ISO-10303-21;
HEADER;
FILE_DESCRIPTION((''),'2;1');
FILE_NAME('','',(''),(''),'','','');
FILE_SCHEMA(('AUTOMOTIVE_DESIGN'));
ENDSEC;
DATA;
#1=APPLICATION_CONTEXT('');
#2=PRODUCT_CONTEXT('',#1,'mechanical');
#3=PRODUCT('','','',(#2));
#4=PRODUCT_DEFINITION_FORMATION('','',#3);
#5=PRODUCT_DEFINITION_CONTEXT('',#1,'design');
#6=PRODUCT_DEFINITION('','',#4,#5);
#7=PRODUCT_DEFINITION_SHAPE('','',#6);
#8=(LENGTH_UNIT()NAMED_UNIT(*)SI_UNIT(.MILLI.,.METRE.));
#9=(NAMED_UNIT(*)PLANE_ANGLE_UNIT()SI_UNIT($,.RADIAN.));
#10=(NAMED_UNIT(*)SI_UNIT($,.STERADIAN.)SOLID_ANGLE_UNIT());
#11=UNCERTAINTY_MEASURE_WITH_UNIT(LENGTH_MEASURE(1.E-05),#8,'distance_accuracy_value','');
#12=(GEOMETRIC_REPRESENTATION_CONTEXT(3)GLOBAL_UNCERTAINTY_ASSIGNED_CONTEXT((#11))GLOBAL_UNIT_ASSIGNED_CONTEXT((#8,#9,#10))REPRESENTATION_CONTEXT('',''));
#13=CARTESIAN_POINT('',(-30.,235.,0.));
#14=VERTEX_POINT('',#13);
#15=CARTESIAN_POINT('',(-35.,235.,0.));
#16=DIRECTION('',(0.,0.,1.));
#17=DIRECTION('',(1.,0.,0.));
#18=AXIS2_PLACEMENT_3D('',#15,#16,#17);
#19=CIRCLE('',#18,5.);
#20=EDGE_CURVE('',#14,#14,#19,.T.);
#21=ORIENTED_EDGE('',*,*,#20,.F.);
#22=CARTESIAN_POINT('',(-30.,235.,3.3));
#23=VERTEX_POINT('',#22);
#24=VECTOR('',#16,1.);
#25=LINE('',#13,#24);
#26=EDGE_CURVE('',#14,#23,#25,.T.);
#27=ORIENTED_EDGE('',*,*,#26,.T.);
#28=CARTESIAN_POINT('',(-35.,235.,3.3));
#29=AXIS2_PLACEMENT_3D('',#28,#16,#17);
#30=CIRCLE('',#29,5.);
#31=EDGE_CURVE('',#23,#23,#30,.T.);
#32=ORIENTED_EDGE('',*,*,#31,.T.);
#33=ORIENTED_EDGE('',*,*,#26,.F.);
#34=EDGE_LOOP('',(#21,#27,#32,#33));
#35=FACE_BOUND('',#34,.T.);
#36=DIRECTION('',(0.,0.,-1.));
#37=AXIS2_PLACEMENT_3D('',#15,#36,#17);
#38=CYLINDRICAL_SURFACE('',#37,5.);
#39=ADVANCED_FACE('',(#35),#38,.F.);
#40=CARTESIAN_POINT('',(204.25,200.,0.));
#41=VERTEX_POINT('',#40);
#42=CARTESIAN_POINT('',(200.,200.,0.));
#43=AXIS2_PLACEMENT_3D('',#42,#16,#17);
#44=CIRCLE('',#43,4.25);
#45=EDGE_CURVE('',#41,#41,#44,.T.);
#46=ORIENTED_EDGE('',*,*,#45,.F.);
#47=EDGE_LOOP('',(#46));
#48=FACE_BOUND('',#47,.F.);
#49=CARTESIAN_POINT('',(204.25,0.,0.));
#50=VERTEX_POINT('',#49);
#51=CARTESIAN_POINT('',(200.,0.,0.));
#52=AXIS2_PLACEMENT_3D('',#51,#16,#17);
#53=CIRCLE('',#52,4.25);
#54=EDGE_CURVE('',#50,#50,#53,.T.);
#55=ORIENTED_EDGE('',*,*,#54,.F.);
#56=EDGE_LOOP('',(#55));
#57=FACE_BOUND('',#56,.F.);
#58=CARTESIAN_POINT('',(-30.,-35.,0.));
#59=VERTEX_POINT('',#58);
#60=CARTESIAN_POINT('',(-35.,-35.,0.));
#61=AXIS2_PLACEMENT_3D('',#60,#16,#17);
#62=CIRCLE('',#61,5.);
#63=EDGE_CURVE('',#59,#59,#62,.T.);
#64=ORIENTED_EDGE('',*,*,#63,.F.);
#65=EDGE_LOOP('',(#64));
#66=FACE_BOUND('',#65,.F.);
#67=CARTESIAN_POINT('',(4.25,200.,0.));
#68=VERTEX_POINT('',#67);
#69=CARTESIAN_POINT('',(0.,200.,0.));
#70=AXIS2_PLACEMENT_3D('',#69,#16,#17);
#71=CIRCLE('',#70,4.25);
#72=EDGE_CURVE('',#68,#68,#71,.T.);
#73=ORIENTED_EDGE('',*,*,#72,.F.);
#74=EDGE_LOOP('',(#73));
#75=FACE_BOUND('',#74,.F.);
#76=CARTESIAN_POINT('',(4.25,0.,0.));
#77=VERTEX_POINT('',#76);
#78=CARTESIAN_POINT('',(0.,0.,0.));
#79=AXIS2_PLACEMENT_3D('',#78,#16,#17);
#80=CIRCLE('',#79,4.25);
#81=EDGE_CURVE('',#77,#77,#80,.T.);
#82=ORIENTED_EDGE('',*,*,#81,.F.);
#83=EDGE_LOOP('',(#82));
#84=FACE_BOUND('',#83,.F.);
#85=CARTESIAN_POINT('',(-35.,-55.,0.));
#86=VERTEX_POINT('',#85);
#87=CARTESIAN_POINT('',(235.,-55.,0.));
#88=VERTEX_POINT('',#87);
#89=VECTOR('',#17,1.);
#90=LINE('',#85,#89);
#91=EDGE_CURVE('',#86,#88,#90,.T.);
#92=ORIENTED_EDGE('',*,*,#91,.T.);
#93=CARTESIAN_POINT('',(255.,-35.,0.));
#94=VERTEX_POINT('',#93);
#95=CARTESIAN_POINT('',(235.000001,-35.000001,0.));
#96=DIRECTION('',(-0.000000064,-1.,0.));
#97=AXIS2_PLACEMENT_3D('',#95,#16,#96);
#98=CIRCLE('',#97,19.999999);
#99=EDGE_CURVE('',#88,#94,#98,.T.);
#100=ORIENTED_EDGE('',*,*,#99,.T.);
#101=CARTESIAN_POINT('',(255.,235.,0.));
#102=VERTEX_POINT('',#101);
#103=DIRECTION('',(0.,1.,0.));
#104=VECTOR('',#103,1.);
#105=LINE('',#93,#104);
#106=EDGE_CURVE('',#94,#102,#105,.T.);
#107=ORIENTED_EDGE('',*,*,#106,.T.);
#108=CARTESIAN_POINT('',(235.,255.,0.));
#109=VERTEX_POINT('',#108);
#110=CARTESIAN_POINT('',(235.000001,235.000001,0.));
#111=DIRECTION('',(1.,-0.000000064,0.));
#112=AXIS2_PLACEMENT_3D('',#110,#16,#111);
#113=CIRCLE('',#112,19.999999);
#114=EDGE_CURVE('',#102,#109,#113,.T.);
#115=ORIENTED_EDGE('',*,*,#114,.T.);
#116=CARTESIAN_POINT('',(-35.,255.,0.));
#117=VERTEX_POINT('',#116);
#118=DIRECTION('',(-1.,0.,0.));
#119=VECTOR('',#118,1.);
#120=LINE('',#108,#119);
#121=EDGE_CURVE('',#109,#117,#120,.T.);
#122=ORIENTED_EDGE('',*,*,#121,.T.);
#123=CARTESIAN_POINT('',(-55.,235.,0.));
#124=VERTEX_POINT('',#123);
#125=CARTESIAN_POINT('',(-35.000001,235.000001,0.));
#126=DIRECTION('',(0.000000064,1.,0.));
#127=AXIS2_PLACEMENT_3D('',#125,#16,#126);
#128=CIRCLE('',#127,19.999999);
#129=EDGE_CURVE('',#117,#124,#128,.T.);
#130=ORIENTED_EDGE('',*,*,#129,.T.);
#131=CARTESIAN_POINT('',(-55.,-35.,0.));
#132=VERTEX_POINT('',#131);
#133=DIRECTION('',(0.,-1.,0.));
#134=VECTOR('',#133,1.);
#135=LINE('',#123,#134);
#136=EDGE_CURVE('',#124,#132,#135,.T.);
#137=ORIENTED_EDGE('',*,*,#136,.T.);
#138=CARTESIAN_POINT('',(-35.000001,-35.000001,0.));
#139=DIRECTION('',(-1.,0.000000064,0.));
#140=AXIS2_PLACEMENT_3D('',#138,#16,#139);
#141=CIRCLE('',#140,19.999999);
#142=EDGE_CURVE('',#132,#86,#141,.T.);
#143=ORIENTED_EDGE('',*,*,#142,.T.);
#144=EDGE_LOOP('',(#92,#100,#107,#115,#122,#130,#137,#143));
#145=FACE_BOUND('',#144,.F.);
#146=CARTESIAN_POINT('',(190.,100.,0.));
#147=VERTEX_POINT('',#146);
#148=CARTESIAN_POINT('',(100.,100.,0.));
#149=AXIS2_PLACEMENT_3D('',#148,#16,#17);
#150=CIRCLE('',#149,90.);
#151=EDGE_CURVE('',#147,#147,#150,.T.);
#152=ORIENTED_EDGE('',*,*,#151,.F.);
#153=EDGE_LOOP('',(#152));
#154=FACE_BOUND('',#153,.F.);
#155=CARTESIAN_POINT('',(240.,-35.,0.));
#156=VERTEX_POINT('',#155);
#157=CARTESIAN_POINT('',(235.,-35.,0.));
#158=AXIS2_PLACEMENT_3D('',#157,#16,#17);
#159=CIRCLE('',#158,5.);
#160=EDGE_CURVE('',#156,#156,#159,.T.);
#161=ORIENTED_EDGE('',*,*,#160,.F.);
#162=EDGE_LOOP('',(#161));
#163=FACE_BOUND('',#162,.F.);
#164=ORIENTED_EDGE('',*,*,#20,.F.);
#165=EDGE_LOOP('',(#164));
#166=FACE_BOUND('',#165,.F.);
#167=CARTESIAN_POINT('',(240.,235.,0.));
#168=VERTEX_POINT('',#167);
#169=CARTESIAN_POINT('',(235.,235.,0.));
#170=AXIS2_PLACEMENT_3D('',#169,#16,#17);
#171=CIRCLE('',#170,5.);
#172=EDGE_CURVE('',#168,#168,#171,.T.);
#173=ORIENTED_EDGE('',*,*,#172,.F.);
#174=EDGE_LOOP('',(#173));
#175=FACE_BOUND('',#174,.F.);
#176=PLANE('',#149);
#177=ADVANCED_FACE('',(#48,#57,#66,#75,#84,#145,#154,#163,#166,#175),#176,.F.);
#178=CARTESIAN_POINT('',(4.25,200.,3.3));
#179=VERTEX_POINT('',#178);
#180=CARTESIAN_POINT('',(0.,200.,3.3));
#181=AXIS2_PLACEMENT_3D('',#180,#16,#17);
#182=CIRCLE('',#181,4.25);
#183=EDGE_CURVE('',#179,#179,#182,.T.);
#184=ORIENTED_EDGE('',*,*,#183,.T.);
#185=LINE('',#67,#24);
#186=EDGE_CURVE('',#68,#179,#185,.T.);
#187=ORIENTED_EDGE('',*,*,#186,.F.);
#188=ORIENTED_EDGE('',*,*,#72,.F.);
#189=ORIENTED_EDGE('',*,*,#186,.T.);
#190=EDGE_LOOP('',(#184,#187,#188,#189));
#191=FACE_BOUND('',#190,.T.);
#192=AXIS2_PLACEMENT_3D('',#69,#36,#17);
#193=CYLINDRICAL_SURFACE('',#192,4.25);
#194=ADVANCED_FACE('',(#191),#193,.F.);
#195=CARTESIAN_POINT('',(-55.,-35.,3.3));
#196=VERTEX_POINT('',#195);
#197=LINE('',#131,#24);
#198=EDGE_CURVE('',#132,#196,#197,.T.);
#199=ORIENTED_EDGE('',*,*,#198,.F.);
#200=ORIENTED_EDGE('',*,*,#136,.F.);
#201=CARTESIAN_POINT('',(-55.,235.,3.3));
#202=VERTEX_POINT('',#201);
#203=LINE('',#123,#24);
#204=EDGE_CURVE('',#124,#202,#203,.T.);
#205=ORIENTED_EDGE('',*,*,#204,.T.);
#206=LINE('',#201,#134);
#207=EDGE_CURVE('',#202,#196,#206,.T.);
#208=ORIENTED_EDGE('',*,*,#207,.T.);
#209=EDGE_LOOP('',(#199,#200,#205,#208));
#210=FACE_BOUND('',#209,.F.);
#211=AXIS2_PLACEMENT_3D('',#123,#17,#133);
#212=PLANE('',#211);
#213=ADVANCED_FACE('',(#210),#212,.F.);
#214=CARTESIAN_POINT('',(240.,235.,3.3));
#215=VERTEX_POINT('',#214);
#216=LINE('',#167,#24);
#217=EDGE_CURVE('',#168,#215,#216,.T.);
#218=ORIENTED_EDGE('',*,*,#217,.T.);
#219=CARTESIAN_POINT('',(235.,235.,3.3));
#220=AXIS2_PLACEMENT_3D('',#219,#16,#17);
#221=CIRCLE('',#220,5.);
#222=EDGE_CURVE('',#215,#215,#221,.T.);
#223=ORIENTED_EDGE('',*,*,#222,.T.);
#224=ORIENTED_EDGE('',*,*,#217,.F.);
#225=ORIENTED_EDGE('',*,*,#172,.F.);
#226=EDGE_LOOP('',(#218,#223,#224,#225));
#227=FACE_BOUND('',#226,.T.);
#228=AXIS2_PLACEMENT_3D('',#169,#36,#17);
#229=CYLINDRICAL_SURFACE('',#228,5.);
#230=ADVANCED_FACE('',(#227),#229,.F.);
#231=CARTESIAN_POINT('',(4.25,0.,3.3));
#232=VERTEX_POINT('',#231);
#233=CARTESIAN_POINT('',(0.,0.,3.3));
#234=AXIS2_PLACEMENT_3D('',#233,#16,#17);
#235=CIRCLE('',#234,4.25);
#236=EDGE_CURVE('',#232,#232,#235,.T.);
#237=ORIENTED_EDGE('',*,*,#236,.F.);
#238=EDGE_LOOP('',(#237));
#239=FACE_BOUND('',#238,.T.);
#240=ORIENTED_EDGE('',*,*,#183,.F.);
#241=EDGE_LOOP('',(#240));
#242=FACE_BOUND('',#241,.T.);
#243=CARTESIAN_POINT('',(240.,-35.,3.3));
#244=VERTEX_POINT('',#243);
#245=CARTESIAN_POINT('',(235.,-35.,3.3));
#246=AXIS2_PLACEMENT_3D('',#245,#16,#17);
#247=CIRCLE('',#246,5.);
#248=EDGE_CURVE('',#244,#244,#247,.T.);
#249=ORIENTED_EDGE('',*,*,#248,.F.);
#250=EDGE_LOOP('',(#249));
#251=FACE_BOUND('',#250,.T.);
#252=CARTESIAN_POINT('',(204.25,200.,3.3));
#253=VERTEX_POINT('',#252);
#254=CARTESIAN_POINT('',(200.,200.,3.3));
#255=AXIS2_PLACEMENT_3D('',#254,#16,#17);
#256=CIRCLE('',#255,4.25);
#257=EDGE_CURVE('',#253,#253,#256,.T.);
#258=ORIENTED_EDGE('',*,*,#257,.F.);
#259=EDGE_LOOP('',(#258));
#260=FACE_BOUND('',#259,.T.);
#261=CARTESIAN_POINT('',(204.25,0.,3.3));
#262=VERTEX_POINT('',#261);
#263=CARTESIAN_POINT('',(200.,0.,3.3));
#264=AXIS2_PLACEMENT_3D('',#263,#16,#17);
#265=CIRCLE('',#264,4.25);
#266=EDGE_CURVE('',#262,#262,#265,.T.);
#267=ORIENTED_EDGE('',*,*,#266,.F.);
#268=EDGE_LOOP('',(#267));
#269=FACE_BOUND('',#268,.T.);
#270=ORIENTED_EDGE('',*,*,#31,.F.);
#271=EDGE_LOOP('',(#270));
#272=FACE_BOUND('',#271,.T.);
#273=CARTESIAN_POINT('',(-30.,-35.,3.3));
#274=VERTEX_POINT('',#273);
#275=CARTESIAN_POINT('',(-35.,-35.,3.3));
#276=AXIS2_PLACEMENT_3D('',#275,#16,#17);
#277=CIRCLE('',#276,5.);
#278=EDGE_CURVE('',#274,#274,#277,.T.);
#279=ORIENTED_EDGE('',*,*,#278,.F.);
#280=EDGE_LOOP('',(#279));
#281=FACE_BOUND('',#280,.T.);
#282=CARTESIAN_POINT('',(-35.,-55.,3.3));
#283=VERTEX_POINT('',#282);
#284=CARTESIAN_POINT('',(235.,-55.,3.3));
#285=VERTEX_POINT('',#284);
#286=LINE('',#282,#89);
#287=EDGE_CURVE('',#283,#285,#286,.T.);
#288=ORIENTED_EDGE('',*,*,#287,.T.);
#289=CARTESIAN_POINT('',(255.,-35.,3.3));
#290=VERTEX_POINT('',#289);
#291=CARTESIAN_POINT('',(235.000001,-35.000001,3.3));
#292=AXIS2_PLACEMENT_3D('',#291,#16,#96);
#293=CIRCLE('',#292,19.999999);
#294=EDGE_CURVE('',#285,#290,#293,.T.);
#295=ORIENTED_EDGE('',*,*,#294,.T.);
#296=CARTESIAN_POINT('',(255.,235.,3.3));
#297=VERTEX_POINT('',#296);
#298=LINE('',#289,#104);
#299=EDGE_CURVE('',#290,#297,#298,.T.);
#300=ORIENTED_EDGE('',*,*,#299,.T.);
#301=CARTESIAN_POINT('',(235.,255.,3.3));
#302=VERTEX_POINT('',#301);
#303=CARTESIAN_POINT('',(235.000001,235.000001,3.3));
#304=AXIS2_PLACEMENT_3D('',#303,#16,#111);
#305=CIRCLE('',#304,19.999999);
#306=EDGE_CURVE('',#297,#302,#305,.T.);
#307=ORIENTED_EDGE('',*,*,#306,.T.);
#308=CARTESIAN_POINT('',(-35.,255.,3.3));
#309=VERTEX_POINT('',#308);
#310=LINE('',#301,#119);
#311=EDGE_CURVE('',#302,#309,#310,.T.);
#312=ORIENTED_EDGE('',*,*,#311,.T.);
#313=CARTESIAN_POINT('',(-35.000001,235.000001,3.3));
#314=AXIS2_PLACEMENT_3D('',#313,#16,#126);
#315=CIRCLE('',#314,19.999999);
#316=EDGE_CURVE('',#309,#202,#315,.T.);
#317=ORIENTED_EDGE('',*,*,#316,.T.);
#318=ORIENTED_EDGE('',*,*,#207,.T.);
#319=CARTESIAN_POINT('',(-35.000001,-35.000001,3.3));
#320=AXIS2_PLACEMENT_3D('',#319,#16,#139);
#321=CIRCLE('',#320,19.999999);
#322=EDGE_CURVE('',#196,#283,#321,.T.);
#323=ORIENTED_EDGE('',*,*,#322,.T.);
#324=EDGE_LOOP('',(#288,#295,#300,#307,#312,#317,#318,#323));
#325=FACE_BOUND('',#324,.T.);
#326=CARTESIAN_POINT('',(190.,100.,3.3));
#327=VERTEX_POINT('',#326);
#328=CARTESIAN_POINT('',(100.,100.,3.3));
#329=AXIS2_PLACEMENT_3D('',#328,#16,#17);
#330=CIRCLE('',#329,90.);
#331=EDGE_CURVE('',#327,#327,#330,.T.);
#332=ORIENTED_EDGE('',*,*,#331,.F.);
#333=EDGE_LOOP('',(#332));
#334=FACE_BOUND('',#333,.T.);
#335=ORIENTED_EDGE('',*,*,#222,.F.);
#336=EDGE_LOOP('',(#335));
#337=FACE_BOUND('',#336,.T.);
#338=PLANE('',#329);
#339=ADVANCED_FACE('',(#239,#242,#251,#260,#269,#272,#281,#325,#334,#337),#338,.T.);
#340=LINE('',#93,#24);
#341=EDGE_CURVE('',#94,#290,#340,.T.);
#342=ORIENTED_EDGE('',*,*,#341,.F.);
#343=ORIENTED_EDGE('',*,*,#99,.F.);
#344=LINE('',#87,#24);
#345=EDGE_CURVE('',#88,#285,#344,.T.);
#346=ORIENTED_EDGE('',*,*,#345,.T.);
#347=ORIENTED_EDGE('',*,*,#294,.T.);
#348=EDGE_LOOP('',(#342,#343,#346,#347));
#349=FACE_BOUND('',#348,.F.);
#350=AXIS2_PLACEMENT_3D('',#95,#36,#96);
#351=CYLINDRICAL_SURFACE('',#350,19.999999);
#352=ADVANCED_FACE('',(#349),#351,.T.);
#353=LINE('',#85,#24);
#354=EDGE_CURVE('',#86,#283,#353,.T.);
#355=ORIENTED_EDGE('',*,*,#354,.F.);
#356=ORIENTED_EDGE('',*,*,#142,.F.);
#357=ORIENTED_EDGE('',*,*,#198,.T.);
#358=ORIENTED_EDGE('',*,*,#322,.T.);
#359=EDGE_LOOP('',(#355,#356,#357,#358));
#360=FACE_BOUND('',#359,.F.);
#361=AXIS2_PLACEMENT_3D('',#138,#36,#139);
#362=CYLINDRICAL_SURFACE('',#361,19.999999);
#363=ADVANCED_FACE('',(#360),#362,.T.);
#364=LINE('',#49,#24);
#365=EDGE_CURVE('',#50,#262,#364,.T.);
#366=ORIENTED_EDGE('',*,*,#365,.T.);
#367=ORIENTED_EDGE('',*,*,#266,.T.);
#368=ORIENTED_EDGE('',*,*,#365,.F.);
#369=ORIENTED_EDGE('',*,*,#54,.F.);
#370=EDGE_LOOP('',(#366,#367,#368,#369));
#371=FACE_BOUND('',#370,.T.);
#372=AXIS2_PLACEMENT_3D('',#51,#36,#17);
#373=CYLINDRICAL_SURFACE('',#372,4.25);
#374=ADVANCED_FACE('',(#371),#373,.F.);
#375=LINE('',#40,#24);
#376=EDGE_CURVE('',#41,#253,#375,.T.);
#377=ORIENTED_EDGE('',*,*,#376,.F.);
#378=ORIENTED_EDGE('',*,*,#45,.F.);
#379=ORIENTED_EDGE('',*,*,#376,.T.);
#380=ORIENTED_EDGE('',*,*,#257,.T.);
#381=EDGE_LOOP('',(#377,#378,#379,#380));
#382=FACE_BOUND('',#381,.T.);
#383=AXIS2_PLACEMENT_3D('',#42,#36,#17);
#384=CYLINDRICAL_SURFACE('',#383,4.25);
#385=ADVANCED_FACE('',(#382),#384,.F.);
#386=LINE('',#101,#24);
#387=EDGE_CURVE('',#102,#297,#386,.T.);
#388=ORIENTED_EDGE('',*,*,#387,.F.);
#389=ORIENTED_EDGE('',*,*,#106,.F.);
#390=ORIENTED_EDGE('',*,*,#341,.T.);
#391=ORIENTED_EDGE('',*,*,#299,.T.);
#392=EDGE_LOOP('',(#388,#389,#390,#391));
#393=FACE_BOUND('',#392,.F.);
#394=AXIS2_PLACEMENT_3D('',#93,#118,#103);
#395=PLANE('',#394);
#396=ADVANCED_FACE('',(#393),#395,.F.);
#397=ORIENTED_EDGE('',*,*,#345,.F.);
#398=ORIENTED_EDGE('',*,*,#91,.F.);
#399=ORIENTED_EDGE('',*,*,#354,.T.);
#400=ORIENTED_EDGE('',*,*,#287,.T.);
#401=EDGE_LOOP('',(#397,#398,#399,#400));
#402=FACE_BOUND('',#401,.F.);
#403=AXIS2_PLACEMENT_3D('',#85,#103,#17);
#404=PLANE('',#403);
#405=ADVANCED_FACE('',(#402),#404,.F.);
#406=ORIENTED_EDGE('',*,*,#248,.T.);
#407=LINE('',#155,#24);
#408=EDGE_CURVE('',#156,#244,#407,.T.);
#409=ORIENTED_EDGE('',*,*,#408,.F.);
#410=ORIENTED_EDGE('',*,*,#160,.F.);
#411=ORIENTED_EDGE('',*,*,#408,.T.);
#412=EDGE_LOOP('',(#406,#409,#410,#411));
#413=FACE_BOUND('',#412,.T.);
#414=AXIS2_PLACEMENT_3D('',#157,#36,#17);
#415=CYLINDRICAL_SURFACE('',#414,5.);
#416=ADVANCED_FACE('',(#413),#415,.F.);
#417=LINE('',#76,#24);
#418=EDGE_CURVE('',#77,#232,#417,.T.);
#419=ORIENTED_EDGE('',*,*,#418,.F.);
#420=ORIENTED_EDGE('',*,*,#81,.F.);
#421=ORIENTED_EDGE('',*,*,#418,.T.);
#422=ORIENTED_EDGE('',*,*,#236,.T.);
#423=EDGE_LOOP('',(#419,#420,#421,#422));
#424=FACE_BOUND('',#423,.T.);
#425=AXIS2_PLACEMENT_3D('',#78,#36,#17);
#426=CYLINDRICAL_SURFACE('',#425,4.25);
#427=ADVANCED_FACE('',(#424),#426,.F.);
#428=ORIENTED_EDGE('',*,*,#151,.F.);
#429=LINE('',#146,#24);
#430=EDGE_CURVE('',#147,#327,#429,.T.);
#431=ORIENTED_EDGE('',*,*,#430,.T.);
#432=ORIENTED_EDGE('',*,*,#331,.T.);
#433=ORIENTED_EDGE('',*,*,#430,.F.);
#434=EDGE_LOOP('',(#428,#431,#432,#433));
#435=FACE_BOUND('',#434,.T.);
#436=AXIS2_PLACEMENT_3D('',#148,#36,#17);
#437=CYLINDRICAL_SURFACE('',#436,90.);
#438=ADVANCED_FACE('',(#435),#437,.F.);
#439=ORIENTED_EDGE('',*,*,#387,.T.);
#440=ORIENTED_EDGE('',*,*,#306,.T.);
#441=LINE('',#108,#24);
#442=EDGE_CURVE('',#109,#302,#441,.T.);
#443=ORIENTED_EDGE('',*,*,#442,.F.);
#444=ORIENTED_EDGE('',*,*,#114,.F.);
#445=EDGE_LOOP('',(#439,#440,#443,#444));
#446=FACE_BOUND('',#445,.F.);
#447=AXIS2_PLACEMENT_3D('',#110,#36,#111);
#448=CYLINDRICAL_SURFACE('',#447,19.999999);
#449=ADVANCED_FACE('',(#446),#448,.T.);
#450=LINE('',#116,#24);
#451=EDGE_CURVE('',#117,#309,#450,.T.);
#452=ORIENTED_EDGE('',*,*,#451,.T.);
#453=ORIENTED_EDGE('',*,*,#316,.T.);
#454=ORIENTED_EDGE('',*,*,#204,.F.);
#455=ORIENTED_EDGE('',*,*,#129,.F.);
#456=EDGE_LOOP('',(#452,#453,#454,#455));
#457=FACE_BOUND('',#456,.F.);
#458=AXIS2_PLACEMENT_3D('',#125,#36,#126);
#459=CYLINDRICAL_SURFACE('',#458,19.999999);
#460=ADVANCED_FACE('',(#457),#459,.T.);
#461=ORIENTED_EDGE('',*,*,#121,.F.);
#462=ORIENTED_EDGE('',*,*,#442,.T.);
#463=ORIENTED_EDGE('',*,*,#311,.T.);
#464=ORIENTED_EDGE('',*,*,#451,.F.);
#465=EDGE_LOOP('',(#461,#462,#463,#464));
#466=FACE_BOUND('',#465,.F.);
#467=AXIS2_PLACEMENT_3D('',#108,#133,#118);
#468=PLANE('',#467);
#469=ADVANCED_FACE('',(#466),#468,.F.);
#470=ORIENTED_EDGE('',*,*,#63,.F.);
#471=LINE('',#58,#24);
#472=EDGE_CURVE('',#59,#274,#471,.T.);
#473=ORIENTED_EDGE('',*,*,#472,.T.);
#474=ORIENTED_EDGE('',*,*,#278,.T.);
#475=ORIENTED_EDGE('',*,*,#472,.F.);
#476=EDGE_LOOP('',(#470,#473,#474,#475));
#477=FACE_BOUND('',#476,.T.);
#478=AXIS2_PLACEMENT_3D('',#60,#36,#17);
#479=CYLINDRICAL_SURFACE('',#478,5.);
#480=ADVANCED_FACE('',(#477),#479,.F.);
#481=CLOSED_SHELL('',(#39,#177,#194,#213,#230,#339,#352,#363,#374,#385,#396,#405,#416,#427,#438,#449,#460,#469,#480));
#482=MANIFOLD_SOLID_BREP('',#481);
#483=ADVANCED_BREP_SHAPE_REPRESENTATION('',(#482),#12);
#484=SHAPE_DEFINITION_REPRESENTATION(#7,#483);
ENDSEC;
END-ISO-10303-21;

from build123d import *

# Parameters (mm, degrees)
F0_R     = 5
F0_R_2   = 4.25
F0_R_3   = 90
F1_DEPTH = 3.3


with BuildPart() as f1:
    # F0 (on Top) → F1 (new body)
    with BuildSketch(Plane.XY):
        with BuildLine():
            Line((235, 255), (-35, 255))
            ThreePointArc((-35, 255), (-49.142136, 249.142136), (-55, 235))
            Line((-55, 235), (-55, -35))
            ThreePointArc((-55, -35), (-49.142136, -49.142136), (-35, -55))
            Line((-35, -55), (235, -55))
            ThreePointArc((235, -55), (249.142136, -49.142136), (255, -35))
            Line((255, -35), (255, 235))
            ThreePointArc((255, 235), (249.142136, 249.142136), (235, 255))
        make_face()
        with Locations((-35, -35)):
            Circle(F0_R, mode=Mode.SUBTRACT)
        Circle(F0_R_2, mode=Mode.SUBTRACT)
        with Locations((235, -35)):
            Circle(F0_R, mode=Mode.SUBTRACT)
        with Locations((200, 0)):
            Circle(F0_R_2, mode=Mode.SUBTRACT)
        with Locations((0, 200)):
            Circle(F0_R_2, mode=Mode.SUBTRACT)
        with Locations((-35, 235)):
            Circle(F0_R, mode=Mode.SUBTRACT)
        with Locations((100, 100)):
            Circle(F0_R_3, mode=Mode.SUBTRACT)
        with Locations((200, 200)):
            Circle(F0_R_2, mode=Mode.SUBTRACT)
        with Locations((235, 235)):
            Circle(F0_R, mode=Mode.SUBTRACT)
    extrude(amount=F1_DEPTH)


solid = f1.part
